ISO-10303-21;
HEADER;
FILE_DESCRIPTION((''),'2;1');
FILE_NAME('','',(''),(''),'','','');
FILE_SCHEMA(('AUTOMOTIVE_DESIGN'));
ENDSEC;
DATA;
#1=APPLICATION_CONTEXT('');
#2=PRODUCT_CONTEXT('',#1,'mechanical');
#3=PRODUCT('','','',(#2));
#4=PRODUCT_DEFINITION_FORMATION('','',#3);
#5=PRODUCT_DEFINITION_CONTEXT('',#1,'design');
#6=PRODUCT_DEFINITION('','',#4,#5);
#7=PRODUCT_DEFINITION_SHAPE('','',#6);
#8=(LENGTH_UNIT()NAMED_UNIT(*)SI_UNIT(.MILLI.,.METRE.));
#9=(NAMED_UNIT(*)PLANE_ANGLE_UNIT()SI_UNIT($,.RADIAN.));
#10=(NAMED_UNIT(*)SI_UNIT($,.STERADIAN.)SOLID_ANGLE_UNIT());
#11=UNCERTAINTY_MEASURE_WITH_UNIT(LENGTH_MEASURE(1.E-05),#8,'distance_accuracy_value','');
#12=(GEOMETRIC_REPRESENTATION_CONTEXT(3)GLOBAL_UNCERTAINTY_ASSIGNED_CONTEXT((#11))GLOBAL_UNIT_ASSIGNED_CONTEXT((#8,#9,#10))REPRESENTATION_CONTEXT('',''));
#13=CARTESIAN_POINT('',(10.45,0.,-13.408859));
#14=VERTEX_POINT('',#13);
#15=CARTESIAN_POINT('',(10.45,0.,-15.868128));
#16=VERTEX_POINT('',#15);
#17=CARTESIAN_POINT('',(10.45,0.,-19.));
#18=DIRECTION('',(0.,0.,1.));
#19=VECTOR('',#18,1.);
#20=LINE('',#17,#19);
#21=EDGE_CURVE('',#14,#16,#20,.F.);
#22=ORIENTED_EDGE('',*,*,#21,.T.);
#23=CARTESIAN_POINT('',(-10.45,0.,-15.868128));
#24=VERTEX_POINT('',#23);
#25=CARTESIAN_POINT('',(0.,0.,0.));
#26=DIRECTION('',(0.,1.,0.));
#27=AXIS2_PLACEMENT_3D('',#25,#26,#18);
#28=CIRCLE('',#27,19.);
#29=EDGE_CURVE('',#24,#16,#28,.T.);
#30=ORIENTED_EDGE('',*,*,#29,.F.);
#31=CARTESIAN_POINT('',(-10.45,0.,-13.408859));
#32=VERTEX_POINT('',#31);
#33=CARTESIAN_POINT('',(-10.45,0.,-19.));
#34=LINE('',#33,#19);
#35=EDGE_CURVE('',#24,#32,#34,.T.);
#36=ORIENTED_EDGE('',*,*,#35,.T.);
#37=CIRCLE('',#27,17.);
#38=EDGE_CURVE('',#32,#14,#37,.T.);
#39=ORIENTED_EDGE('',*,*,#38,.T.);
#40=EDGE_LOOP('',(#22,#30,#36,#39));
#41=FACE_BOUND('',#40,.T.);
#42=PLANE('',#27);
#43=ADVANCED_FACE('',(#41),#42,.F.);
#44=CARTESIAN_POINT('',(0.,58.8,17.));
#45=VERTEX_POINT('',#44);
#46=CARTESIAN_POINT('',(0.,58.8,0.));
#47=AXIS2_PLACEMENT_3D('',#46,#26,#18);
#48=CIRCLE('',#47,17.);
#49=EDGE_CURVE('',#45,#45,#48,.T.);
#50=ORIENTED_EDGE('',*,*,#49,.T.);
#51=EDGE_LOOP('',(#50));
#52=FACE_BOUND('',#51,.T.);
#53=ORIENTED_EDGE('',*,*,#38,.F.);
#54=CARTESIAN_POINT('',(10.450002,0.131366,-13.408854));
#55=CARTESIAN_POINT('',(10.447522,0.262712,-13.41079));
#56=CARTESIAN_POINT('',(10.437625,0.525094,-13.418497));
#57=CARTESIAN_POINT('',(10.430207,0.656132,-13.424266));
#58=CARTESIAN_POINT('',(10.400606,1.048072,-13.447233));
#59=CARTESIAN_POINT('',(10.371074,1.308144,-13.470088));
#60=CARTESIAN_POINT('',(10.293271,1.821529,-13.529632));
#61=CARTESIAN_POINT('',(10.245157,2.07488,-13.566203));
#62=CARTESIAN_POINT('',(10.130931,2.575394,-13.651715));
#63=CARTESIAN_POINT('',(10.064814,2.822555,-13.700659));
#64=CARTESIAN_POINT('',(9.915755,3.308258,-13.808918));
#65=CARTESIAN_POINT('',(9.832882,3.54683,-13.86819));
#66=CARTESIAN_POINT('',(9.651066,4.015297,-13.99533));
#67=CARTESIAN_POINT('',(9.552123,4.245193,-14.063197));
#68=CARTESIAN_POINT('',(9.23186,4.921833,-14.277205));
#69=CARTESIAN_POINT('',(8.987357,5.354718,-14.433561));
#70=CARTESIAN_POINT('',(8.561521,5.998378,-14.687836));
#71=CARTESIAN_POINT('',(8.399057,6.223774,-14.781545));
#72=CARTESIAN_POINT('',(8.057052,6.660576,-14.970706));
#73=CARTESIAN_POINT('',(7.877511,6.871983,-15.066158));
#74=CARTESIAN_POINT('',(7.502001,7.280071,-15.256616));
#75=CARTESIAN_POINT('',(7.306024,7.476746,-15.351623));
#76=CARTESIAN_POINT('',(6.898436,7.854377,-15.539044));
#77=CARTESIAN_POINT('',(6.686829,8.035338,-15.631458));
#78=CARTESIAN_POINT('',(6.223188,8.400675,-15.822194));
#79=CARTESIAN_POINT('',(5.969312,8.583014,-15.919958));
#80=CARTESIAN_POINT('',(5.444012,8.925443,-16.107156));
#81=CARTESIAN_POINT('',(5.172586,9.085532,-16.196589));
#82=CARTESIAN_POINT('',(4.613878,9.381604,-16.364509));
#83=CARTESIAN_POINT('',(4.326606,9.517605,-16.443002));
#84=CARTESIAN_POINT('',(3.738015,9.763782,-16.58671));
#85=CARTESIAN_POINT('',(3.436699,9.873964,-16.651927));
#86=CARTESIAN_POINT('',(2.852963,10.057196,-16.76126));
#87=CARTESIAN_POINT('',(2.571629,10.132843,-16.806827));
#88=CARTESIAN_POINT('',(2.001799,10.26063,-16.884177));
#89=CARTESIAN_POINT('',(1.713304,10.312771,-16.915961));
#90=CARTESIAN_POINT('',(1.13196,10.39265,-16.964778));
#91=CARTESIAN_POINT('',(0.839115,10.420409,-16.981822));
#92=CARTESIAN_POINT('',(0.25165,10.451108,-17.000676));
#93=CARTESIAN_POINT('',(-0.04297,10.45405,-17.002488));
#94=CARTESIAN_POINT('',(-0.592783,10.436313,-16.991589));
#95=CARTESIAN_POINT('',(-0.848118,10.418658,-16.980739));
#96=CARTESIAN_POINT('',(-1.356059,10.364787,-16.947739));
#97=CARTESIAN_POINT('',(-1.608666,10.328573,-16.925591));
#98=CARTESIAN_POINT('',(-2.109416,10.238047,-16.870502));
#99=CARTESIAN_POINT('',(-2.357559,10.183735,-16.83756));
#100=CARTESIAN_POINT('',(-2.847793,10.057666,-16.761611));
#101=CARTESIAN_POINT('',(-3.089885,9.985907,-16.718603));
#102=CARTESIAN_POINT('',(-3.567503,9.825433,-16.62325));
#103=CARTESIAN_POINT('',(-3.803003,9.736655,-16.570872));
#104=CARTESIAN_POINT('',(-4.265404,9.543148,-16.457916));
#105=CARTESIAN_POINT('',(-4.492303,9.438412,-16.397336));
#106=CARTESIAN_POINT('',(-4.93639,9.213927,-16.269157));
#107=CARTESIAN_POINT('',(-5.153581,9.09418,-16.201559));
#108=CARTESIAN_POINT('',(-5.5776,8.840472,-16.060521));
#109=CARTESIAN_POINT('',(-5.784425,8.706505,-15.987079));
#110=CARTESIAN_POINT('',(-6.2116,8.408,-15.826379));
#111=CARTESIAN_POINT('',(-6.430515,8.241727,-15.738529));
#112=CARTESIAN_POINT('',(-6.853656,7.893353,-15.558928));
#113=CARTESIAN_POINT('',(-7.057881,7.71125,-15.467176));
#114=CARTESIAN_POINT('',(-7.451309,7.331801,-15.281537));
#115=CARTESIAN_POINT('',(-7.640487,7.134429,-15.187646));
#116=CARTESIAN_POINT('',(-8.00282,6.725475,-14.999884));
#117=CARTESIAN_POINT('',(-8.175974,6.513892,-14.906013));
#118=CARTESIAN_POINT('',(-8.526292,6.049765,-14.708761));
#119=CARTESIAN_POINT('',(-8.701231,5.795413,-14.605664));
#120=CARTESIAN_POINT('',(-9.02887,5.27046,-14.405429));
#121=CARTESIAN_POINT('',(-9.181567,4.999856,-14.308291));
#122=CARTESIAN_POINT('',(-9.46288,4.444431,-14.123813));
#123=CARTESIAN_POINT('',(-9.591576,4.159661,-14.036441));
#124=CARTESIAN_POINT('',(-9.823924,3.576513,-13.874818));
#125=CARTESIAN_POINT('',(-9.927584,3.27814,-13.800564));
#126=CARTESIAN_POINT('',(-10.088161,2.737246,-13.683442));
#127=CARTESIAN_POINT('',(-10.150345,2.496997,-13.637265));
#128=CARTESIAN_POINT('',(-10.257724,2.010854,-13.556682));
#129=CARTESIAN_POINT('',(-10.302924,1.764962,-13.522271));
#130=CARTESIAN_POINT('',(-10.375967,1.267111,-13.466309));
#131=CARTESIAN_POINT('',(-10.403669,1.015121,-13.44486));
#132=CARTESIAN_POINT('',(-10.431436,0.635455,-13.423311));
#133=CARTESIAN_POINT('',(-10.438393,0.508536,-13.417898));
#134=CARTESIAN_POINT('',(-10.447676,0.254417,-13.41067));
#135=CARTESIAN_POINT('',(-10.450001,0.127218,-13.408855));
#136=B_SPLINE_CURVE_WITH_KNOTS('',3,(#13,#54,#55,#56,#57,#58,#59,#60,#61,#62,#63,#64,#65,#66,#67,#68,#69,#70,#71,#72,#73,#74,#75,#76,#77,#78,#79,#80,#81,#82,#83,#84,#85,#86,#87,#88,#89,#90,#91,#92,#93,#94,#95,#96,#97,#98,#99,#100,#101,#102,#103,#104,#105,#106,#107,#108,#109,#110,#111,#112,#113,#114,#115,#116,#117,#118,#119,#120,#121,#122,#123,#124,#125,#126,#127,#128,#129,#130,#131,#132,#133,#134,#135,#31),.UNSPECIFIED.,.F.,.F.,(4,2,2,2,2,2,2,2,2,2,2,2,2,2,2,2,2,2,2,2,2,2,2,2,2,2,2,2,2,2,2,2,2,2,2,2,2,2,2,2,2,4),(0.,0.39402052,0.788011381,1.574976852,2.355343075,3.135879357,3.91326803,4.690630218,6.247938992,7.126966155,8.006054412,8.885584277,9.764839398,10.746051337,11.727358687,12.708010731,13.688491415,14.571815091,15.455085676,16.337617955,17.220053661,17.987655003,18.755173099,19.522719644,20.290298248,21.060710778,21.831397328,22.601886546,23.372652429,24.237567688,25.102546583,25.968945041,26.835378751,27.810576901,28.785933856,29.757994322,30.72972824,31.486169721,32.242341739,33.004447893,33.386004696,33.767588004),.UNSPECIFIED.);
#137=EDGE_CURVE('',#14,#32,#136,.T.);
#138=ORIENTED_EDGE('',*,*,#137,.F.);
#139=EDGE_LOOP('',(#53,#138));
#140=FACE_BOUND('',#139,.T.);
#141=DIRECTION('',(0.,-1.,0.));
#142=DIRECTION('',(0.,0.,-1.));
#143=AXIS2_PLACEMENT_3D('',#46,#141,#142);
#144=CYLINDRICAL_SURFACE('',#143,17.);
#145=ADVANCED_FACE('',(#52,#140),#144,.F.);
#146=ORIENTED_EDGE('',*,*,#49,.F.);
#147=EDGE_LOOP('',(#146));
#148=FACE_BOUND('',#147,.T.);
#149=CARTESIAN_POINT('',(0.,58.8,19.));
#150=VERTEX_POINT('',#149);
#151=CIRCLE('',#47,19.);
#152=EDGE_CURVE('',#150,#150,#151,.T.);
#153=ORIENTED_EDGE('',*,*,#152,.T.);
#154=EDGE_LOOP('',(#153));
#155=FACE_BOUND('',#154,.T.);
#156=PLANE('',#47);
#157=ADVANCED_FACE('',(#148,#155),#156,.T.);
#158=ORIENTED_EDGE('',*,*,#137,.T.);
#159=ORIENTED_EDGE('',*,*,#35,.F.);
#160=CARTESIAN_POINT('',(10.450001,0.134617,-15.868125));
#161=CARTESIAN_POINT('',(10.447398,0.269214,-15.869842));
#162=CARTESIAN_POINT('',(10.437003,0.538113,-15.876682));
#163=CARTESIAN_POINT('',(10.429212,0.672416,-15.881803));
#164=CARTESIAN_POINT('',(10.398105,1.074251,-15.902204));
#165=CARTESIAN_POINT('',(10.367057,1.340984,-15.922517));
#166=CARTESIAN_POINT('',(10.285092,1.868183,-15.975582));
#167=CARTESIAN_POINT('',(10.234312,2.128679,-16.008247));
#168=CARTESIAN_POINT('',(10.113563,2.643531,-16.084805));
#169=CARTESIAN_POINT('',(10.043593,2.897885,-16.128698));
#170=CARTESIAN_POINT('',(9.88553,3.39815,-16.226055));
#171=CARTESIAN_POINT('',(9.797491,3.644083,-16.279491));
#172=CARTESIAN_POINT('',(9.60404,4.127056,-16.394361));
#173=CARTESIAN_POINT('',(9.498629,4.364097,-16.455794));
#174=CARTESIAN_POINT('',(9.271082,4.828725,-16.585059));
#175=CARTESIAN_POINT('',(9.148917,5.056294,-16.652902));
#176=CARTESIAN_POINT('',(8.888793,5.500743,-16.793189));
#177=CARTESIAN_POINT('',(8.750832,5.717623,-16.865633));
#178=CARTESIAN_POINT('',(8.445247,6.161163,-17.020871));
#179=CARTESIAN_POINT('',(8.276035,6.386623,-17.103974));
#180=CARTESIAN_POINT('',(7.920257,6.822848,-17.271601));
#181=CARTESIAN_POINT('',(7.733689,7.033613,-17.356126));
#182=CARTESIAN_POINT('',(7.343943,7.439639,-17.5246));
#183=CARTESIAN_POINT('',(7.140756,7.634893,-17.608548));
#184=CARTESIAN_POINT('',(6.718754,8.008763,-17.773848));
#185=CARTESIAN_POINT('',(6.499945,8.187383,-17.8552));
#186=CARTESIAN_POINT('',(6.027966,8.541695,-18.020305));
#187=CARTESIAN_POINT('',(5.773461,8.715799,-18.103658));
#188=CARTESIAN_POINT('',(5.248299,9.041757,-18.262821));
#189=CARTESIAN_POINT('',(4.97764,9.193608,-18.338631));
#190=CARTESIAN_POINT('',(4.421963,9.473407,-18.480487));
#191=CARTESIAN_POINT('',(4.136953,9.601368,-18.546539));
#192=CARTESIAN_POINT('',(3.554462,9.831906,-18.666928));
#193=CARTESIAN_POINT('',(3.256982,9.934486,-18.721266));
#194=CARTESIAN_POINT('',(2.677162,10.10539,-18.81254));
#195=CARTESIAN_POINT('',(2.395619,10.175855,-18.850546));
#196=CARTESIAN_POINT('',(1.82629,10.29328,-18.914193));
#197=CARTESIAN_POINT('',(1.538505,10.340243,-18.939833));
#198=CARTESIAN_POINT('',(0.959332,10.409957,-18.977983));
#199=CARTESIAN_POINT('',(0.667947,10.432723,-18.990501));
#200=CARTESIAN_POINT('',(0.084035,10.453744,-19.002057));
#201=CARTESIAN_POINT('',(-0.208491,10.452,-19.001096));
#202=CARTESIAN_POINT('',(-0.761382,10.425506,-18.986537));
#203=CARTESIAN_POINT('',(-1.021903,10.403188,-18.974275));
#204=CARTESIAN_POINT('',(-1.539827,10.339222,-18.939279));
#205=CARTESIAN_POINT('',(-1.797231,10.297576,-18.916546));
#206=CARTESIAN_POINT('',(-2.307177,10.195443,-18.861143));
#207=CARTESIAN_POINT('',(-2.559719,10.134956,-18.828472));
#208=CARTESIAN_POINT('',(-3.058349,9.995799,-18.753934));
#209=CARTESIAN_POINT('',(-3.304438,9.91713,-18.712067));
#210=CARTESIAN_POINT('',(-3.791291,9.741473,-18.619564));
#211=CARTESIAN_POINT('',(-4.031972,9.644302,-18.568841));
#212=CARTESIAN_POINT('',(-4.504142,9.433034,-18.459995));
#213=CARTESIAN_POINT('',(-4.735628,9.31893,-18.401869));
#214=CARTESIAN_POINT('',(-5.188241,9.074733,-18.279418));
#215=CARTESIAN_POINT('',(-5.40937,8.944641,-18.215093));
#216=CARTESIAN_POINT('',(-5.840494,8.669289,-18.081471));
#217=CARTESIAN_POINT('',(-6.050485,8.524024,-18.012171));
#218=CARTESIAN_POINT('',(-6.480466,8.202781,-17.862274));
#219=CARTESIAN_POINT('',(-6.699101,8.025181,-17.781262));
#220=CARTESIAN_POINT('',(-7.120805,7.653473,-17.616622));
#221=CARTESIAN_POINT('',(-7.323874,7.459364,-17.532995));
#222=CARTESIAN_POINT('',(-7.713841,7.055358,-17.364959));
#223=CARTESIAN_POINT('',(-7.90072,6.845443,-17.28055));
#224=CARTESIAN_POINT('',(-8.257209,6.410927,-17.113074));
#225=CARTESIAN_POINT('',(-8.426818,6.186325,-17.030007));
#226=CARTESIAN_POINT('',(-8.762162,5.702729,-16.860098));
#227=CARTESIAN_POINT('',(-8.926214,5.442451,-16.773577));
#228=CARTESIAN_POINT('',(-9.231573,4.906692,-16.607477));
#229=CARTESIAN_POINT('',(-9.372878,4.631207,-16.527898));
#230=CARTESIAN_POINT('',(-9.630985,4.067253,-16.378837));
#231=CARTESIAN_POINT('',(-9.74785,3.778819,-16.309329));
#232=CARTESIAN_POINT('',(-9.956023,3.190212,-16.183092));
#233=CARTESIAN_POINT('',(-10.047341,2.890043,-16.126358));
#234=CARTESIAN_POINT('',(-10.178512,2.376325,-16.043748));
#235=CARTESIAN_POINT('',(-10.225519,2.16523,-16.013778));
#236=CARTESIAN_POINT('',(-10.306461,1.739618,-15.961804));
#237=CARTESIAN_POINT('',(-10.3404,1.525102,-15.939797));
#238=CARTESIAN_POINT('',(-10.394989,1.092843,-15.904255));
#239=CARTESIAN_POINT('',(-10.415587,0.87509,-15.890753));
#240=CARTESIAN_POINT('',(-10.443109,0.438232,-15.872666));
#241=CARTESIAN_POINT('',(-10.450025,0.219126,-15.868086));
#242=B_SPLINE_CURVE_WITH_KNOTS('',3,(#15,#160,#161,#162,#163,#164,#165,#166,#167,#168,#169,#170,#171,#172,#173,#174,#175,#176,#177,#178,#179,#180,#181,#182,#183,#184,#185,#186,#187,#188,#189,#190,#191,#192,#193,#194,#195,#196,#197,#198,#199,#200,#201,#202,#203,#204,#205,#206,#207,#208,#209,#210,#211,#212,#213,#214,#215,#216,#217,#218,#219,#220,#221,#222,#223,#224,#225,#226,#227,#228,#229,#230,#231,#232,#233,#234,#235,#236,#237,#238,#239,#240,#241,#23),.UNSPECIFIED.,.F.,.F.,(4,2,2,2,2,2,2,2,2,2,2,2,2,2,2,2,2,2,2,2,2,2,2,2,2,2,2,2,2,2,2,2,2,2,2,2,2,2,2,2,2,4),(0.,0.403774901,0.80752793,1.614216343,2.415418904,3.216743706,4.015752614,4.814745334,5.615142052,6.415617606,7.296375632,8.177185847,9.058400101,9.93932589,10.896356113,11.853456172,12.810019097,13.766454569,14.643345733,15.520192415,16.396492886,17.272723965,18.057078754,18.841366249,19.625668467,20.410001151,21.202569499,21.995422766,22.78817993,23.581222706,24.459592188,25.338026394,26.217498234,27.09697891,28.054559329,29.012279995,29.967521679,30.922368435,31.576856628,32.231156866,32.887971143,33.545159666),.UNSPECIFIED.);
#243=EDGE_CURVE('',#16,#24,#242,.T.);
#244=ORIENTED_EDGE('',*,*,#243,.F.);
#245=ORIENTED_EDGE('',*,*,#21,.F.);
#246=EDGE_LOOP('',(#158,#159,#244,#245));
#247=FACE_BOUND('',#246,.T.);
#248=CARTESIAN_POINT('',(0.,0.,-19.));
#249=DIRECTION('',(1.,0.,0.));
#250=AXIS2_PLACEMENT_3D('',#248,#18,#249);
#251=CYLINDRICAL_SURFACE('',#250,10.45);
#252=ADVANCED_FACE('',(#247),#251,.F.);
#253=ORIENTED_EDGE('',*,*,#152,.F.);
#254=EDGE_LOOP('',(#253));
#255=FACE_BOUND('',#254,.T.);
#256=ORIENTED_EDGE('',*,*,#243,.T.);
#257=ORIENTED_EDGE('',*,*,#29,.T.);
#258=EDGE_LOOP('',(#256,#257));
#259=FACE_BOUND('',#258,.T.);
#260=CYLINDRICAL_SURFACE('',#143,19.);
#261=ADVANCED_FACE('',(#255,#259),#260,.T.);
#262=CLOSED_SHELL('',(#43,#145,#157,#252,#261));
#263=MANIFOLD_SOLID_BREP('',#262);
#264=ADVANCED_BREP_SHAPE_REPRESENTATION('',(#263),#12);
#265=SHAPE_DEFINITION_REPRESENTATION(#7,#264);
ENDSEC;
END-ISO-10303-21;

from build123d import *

# Parameters (mm, degrees)
SKETCH1_R           = 19
SKETCH1_R_2         = 17
BOSS_EXTRUDE1_DEPTH = 58.8
SKETCH2_R           = 10.45
CUT_EXTRUDE1_DEPTH  = 65.648588538


with BuildPart() as part:
    # Sketch1 → Boss-Extrude1 (new body)
    with BuildSketch(Plane(origin=(0, 0, 0), x_dir=(1, 0, 0), z_dir=(0, 1, 0))):
        with Locations(Location((0, 0, 0), (0, 0, 270))):
            Circle(SKETCH1_R)
        with Locations(Location((0, 0, 0), (0, 0, 270))):
            Circle(SKETCH1_R_2, mode=Mode.SUBTRACT)
    extrude(amount=BOSS_EXTRUDE1_DEPTH)

    # Sketch2 → Cut-Extrude1 (cut, through all)
    with BuildSketch(Plane.XY):
        Circle(SKETCH2_R)
    extrude(amount=-CUT_EXTRUDE1_DEPTH, mode=Mode.SUBTRACT)


solid = part.part
